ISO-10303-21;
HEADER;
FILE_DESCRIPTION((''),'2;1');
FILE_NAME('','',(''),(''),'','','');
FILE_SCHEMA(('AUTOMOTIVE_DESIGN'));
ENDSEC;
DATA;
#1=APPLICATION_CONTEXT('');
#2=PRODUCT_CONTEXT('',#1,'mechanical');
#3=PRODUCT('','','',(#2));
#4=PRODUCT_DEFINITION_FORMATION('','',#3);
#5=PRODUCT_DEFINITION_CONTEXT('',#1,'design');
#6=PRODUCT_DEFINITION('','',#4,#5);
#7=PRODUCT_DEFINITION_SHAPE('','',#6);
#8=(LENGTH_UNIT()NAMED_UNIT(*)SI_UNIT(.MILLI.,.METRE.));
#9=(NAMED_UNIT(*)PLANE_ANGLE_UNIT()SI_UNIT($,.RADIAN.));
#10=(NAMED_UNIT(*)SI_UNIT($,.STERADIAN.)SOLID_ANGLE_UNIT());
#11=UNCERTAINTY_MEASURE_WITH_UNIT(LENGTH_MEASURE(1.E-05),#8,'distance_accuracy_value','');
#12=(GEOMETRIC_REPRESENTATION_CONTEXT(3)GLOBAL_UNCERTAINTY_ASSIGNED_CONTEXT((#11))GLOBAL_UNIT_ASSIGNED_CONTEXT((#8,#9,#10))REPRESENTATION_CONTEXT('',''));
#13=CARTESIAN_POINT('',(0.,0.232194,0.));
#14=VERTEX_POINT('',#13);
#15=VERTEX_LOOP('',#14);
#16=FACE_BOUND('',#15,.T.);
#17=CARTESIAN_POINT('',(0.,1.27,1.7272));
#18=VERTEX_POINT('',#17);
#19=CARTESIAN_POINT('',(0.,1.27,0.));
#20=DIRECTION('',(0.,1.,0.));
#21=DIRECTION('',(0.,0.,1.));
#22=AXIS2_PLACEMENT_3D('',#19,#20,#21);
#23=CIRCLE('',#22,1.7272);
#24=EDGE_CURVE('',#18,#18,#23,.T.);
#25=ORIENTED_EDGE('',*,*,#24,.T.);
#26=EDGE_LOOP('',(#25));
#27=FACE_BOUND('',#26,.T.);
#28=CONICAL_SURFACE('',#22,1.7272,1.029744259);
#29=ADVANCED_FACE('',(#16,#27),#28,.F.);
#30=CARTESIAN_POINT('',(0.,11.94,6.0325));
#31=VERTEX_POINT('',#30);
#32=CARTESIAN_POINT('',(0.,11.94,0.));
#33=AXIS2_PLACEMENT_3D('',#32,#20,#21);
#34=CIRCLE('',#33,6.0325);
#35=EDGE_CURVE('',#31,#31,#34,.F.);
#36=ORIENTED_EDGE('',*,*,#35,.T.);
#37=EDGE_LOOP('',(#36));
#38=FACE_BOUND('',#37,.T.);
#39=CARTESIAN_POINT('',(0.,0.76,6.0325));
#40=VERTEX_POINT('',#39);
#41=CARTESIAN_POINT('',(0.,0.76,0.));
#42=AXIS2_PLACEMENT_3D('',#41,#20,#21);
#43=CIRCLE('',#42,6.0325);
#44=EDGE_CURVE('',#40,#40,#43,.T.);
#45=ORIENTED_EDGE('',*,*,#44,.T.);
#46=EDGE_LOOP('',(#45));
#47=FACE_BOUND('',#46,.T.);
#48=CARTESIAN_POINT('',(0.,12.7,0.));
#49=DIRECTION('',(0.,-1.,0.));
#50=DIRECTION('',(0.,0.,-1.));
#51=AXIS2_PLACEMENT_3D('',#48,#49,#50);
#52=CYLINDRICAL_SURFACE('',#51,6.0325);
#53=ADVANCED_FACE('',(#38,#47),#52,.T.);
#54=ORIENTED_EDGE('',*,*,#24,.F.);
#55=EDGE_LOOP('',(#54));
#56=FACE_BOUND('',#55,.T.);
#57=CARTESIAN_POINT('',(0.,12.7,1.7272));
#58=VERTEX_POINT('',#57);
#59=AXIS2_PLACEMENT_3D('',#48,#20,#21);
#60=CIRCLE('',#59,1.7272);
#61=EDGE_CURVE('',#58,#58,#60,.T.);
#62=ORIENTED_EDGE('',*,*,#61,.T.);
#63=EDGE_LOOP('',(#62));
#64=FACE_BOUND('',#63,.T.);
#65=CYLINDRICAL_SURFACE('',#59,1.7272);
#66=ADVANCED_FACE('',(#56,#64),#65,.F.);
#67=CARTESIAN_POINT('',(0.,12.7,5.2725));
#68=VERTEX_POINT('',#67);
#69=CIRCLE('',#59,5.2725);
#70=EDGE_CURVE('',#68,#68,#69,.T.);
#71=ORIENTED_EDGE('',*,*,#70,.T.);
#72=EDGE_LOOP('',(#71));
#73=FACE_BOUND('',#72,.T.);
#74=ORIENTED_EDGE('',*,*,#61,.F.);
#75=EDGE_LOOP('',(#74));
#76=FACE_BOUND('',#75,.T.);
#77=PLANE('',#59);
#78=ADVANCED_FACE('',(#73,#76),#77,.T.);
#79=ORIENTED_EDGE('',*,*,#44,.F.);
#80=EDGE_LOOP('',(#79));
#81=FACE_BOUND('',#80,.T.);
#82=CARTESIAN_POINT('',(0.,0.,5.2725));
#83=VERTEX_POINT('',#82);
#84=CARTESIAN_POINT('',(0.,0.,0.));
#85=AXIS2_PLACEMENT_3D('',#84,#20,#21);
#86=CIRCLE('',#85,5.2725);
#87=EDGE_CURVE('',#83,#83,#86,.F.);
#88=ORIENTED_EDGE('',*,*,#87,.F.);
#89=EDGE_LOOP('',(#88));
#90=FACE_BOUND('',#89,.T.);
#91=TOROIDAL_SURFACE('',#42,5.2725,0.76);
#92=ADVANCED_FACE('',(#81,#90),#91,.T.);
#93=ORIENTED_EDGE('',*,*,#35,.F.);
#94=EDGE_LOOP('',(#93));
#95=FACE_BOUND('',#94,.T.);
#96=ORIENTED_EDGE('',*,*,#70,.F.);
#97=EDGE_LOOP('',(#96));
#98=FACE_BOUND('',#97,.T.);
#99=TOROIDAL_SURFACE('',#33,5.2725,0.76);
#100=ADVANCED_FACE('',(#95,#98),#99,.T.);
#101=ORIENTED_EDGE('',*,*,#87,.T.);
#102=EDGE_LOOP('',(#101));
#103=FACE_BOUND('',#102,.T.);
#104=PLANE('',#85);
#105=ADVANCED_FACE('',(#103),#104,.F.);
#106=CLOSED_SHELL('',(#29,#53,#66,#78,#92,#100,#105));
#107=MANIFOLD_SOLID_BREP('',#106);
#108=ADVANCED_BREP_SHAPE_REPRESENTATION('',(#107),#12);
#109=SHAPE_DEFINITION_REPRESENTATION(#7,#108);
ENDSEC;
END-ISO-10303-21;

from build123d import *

# Parameters (mm, degrees)
SKETCH1_R                 = 6.0325
BOSS_EXTRUDE1_DEPTH       = 12.7
FILLET1_R                 = 0.76
F_8_32_TAPPED_HOLE1_D     = 3.4544
F_8_32_TAPPED_HOLE1_DEPTH = 11.43
F_8_32_TAPPED_HOLE1_TIP   = 1.037806461


with BuildPart() as part:
    # Sketch1 → Boss-Extrude1 (new body)
    with BuildSketch(Plane(origin=(0, 0, 0), x_dir=(1, 0, 0), z_dir=(0, 1, 0))):
        Circle(SKETCH1_R)
    extrude(amount=BOSS_EXTRUDE1_DEPTH)

    # Fillet1
    fillet1_edges = [part.edges().sort_by_distance(p)[0] for p in [
        (-6.0325, 0, 0),
        (-6.0325, 12.7, 0),
    ]]
    fillet(fillet1_edges, radius=FILLET1_R)

    # #8-32 Tapped Hole1
    with Locations(Plane(origin=(0, 12.7, 0), x_dir=(1, 0, 0), z_dir=(0, 1, 0))):
        with Locations((0, 0)):
            Hole(F_8_32_TAPPED_HOLE1_D / 2, depth=F_8_32_TAPPED_HOLE1_DEPTH)
            with Locations((0, 0, -(F_8_32_TAPPED_HOLE1_DEPTH + F_8_32_TAPPED_HOLE1_TIP / 2))):  # 118° drill point
                Cone(0, F_8_32_TAPPED_HOLE1_D / 2, F_8_32_TAPPED_HOLE1_TIP, mode=Mode.SUBTRACT)


solid = part.part
